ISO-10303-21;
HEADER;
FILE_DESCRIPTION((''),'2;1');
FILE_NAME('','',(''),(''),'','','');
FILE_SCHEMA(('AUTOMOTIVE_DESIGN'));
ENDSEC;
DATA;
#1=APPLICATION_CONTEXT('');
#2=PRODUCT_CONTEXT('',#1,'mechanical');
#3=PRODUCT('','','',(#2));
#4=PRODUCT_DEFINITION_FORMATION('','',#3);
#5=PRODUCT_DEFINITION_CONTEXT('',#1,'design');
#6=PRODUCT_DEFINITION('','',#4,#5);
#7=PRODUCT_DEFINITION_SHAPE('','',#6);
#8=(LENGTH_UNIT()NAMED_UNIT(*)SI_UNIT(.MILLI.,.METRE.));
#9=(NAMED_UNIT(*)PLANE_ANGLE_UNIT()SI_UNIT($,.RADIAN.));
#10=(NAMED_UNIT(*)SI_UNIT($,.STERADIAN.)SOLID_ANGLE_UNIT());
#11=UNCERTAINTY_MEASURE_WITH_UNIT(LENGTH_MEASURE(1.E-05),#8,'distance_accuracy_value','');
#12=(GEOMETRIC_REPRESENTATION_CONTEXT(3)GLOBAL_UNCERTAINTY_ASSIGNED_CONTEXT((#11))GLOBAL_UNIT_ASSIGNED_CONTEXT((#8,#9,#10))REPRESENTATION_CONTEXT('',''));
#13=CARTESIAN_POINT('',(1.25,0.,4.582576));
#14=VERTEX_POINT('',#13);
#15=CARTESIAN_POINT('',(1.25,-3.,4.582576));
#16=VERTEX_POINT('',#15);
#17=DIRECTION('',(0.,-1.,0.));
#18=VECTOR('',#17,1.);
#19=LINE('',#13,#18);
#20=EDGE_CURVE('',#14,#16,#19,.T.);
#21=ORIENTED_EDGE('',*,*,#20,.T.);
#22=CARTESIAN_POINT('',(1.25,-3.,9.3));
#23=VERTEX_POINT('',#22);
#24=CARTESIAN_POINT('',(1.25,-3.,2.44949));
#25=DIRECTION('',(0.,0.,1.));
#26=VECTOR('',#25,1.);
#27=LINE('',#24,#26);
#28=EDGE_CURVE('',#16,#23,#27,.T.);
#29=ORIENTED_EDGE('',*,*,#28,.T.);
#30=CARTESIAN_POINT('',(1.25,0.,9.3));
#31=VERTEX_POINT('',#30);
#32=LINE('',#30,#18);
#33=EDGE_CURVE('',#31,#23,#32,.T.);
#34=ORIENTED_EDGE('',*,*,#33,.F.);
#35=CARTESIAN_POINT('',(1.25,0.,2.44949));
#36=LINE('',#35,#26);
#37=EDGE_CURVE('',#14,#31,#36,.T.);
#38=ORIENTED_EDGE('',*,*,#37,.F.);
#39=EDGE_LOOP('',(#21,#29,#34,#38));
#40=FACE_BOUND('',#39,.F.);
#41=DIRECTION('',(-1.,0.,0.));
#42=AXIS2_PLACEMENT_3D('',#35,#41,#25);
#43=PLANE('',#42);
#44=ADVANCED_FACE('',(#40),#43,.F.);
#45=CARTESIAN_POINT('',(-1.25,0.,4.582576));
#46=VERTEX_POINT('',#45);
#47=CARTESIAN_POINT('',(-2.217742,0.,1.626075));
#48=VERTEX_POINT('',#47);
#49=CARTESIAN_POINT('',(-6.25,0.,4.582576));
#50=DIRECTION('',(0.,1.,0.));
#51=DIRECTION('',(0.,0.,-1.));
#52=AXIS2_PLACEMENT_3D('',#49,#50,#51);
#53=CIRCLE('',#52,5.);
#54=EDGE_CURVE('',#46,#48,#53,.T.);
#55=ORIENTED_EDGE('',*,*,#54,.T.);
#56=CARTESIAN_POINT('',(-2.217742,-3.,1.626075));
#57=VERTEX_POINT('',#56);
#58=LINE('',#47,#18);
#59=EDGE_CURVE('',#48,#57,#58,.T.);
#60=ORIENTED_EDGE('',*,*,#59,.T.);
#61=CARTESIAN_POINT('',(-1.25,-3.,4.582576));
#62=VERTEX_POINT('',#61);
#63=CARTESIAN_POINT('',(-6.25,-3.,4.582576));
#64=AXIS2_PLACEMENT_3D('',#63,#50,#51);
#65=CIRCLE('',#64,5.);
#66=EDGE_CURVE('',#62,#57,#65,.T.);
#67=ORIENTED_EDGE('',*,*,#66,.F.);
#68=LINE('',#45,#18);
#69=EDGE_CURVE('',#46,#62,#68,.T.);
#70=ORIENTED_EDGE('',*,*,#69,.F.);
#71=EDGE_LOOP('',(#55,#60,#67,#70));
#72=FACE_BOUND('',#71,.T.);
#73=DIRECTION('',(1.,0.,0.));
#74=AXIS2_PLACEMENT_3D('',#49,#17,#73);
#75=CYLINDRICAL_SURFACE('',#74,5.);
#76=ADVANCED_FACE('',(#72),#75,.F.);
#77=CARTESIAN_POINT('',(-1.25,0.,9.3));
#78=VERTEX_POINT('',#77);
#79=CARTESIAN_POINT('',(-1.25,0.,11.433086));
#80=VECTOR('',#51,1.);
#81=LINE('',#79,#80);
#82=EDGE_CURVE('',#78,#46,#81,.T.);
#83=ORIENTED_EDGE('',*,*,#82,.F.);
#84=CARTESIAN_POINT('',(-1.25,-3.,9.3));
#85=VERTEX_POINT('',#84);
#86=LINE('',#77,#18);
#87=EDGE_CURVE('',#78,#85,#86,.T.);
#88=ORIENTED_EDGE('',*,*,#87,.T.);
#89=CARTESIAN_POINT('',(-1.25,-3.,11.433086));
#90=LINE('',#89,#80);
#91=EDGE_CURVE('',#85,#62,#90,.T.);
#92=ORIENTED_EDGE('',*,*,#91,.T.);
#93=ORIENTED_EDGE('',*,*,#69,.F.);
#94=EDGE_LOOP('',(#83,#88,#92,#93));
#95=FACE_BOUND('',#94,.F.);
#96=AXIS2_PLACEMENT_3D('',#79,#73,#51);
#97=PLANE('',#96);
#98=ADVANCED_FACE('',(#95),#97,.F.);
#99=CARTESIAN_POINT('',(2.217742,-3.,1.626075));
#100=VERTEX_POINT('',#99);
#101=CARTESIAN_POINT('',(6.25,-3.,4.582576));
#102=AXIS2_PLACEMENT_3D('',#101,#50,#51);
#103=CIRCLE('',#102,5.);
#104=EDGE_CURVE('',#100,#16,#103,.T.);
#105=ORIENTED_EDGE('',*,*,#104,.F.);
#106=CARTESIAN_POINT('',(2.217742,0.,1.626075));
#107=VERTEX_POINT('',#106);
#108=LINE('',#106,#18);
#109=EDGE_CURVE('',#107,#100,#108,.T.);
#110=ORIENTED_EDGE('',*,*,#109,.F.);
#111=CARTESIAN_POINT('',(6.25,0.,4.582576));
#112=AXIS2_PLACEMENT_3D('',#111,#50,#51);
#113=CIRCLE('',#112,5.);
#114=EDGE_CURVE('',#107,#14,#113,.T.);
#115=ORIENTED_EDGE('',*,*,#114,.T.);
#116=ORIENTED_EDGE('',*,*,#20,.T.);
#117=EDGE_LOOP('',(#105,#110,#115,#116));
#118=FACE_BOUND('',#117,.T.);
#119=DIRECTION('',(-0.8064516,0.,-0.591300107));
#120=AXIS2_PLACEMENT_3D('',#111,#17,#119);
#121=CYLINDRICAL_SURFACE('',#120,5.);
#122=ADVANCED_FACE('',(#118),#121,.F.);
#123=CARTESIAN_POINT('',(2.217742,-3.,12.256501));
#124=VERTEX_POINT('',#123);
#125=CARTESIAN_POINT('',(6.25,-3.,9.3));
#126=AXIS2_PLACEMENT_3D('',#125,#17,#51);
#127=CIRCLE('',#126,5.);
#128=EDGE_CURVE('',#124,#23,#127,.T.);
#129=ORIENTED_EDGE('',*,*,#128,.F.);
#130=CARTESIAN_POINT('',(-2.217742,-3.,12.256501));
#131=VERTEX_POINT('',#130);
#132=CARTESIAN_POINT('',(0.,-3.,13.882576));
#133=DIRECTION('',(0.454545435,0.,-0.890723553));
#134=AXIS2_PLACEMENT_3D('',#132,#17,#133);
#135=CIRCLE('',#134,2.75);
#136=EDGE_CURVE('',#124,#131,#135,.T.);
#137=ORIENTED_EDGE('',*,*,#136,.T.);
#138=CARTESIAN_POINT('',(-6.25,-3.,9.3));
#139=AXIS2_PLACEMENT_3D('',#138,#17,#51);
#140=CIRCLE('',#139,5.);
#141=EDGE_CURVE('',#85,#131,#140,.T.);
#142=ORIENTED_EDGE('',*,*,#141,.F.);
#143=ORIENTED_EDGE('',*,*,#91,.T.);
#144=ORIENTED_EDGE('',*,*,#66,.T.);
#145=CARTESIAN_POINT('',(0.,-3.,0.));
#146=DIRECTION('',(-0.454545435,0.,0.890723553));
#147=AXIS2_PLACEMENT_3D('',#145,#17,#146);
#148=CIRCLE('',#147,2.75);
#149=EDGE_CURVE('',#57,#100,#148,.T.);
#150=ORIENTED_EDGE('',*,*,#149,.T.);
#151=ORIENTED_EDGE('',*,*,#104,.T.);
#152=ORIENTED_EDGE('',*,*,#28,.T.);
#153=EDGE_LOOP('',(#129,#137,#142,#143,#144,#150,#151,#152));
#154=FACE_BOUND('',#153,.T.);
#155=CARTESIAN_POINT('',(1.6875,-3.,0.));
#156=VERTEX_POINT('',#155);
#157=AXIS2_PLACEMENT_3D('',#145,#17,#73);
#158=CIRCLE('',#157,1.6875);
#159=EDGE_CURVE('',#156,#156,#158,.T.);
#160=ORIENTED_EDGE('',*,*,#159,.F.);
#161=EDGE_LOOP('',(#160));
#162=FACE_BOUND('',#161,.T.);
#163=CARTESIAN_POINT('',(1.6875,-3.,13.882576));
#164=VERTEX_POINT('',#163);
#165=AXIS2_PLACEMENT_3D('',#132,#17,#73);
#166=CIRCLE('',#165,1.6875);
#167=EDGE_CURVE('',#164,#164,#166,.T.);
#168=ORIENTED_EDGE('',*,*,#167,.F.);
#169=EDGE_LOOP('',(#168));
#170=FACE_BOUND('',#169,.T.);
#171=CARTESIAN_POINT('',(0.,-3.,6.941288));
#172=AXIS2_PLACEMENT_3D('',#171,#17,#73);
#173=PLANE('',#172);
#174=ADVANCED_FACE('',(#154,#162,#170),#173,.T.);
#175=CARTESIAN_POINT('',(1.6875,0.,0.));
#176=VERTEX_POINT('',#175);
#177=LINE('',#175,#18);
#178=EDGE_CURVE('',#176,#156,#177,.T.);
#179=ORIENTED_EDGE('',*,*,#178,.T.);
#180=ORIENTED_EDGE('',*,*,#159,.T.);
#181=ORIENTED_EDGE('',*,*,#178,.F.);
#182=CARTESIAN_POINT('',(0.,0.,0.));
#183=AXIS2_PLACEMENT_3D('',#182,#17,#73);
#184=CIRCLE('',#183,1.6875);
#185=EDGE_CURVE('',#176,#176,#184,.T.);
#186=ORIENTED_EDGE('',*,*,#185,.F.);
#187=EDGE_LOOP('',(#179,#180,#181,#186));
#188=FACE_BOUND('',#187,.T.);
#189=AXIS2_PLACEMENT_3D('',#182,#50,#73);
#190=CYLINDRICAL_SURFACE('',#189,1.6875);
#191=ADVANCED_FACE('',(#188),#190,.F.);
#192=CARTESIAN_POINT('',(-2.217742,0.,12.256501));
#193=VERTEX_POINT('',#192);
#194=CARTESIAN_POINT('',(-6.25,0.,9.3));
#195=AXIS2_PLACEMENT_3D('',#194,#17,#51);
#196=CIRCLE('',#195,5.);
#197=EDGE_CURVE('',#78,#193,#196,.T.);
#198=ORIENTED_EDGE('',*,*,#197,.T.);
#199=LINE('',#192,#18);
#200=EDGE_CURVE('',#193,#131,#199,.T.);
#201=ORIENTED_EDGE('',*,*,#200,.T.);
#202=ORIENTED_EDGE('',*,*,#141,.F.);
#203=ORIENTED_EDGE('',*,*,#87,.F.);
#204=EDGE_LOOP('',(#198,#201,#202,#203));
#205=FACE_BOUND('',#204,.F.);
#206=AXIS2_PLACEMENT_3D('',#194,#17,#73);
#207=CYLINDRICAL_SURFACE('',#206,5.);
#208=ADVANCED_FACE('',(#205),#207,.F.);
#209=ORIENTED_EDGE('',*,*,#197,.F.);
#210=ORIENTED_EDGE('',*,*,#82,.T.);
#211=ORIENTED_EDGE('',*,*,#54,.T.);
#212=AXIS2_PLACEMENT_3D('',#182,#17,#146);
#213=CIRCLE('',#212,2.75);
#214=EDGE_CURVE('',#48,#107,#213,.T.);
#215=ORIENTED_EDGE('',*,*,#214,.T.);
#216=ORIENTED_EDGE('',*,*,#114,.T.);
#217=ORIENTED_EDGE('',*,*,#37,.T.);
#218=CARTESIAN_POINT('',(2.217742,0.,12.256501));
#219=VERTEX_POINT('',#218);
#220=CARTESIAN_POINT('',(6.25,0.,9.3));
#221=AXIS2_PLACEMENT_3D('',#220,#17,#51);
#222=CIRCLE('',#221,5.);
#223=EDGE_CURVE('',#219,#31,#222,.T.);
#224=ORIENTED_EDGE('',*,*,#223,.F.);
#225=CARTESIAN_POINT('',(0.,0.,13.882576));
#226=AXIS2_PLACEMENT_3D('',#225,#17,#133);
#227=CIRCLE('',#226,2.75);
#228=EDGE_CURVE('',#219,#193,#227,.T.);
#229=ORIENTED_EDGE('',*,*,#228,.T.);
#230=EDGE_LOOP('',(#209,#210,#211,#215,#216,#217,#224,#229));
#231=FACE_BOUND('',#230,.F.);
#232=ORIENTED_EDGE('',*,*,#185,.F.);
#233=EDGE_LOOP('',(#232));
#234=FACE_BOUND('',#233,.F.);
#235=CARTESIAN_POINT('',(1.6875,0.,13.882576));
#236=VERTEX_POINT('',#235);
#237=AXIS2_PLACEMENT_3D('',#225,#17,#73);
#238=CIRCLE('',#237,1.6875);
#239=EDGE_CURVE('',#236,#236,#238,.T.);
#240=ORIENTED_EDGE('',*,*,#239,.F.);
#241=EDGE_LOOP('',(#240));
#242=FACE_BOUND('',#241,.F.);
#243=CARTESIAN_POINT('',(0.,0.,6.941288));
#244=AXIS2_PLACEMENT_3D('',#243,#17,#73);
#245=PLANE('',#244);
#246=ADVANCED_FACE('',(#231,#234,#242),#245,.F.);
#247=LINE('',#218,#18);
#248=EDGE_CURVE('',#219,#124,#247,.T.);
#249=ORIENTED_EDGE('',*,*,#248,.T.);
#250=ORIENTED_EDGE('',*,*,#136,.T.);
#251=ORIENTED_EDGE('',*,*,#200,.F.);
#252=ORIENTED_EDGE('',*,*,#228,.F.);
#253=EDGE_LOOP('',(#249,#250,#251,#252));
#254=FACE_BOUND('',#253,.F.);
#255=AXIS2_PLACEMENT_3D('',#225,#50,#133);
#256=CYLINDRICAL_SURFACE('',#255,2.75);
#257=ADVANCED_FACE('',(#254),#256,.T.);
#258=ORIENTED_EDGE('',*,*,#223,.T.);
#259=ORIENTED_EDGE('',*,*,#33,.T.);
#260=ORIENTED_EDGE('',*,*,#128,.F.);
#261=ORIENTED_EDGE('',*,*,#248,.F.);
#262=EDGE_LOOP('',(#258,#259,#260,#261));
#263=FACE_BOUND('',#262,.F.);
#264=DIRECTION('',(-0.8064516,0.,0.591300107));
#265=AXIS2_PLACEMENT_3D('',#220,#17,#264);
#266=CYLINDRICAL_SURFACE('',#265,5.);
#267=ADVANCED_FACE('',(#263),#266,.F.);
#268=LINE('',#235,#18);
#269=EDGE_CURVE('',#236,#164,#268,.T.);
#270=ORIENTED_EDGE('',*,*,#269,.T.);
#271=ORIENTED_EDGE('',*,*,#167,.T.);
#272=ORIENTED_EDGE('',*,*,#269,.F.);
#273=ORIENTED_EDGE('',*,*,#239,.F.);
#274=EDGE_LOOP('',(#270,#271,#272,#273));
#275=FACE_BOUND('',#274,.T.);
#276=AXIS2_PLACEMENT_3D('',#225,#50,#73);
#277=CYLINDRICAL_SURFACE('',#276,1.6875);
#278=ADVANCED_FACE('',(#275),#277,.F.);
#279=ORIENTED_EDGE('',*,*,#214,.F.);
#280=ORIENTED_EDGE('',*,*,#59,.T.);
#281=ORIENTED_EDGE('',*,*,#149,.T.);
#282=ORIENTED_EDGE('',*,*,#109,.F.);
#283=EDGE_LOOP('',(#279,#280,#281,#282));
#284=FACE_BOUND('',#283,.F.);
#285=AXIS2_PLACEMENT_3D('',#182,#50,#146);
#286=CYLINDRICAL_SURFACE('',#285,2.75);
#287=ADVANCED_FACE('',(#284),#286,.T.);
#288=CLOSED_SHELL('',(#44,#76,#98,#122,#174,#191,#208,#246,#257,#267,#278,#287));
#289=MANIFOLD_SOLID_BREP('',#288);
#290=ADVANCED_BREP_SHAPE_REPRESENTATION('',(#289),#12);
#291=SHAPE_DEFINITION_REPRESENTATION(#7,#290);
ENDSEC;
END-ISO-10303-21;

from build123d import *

# Parameters (mm, degrees)
F0_R     = 1.6875
F1_DEPTH = 3
F2_R     = 5


with BuildPart() as f1:
    # F0 (on Front) → F1 (new body)
    with BuildSketch(Plane.XZ):
        with BuildLine():
            Line((-1.25, 11.433086), (-1.25, 2.44949))
            ThreePointArc((-1.25, 2.44949), (0, -2.75), (1.25, 2.44949))
            Line((1.25, 2.44949), (1.25, 11.433086))
            ThreePointArc((1.25, 11.433086), (0, 16.632576), (-1.25, 11.433086))
        make_face()
        Circle(F0_R, mode=Mode.SUBTRACT)
        with Locations((0, 13.882576)):
            Circle(F0_R, mode=Mode.SUBTRACT)
    extrude(amount=F1_DEPTH)

    # F2
    f2_edges = [f1.edges().sort_by_distance(p)[0] for p in [
        (1.25, -1.5, 2.44949),
        (-1.25, -1.5, 2.44949),
        (-1.25, -1.5, 11.433086),
        (1.25, -1.5, 11.433086),
    ]]
    fillet(f2_edges, radius=F2_R)


solid = f1.part
